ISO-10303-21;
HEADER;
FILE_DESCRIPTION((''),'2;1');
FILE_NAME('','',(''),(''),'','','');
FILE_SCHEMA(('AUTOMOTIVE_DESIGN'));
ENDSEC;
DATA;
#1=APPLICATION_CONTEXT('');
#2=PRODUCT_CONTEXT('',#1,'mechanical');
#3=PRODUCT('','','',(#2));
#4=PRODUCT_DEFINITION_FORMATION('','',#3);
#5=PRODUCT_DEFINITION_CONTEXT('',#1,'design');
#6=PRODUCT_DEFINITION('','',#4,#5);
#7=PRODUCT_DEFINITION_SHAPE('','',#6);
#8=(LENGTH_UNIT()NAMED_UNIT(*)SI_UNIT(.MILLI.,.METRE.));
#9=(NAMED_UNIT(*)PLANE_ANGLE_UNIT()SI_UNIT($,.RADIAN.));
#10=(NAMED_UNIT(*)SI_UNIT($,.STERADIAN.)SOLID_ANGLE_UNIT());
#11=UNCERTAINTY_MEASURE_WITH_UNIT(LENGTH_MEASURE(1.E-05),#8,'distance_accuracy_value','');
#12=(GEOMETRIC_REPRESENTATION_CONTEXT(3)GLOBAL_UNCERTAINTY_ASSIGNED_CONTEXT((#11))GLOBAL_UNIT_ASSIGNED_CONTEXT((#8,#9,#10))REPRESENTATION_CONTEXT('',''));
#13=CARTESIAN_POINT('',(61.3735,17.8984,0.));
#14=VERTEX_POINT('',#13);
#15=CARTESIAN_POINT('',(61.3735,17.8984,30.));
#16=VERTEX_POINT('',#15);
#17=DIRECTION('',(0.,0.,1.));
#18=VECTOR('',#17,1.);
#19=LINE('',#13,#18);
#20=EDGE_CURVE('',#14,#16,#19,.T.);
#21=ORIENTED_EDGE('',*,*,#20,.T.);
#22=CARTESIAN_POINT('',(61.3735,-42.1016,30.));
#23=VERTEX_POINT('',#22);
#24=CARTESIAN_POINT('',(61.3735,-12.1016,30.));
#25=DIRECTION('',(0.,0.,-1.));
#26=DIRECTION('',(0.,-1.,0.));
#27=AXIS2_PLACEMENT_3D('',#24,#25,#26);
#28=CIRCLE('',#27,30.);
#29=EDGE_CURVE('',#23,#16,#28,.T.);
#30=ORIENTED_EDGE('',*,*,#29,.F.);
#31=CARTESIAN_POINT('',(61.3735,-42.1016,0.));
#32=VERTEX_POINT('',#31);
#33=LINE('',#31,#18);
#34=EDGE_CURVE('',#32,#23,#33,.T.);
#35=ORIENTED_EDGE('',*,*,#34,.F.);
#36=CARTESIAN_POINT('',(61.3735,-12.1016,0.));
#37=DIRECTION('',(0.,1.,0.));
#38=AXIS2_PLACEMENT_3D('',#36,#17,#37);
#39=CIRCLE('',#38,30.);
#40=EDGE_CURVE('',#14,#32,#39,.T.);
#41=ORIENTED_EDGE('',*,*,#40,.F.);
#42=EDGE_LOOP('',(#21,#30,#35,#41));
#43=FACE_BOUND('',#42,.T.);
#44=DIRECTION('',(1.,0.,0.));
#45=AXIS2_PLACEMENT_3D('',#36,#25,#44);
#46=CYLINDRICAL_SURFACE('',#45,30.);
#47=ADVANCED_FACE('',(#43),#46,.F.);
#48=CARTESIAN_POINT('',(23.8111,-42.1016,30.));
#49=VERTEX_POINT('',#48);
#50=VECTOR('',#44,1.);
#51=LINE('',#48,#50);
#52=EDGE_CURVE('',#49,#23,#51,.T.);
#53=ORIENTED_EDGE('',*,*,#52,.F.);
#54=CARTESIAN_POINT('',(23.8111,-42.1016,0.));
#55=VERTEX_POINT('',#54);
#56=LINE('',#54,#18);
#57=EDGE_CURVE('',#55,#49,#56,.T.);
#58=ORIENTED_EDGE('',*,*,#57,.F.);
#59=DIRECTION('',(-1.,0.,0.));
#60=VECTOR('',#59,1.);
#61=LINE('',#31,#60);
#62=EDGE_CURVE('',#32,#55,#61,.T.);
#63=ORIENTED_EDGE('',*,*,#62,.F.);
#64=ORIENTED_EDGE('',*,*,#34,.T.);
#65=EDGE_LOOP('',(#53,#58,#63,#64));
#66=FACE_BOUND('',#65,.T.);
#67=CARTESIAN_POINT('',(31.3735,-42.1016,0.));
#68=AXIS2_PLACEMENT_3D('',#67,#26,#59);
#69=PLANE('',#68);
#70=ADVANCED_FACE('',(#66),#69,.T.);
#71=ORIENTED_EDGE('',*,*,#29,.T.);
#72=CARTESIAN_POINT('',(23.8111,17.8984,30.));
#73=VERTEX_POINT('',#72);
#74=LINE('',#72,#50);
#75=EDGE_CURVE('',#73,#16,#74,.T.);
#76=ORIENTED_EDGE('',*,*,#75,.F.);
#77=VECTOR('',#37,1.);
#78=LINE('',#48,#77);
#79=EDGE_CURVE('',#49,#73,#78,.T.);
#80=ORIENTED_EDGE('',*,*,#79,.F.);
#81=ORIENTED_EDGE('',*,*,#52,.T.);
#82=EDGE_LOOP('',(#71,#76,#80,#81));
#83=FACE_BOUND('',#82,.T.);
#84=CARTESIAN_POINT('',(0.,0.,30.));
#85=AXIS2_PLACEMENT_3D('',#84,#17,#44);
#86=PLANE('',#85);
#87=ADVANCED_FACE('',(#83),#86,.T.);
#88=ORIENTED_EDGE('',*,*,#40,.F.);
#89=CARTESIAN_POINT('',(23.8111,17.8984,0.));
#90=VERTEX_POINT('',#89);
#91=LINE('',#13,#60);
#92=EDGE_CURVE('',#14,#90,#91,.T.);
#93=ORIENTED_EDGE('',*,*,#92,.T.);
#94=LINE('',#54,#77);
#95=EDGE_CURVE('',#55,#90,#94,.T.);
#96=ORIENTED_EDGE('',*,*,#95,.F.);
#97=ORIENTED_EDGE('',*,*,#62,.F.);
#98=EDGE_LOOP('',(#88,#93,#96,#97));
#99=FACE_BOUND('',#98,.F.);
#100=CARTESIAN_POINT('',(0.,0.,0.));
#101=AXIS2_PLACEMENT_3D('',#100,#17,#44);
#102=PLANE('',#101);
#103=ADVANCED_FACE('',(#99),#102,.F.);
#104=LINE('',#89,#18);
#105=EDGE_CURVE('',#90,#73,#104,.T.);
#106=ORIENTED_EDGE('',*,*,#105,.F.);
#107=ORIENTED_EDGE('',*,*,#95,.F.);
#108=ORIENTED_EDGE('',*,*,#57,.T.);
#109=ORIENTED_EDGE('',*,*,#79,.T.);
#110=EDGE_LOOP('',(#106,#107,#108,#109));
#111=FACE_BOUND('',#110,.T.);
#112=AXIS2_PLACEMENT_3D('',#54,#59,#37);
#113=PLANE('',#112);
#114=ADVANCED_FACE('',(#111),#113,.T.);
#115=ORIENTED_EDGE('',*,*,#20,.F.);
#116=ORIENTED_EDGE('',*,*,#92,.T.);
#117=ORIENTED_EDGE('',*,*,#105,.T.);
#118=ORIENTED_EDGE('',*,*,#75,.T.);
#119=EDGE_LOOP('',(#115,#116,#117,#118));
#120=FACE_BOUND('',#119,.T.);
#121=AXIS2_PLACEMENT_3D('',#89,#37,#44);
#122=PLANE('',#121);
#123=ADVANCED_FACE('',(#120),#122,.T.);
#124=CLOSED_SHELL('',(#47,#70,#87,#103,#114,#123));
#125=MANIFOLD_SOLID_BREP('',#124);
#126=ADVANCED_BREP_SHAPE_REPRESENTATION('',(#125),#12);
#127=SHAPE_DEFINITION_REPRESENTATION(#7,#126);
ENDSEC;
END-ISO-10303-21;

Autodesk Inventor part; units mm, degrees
ref_plane "YZ Plane" through (0, 0, 0) normal (1, 0, 0) x (0, 1, 0)
ref_plane "XZ Plane" through (0, 0, 0) normal (0, 1, 0) x (-1, 0, 0)
ref_plane "XY Plane" through (0, 0, 0) normal (0, 0, 1) x (1, 0, 0)
sketch "Sketch1" plane through (0, 0, 0) normal (0, 0, 1) x (1, 0, 0)
  line L0 (7.8735, 17.8984) -> (31.3735, 17.8984)
  line L1 (31.3735, 17.8984) -> (31.3735, -42.1016)
  line L2 (31.3735, -42.1016) -> (7.8735, -42.1016)
  line L3 (7.8735, -42.1016) -> (7.8735, 17.8984)
  circle A0 centre (61.3735, -12.1016) radius 30
  line L4 (61.3735, 17.8984) -> (31.3735, 17.8984)
  line L5 (61.3735, -42.1016) -> (31.3735, -42.1016)
  line L6 (23.8111, -42.1016) -> (23.8111, 17.8984)
  point P0 (0, 0)
  point P1 (7.8735, -12.1016)
  dimension "d1" = 60
  dimension "d2" = 60
  dimension "d3" = 53.5
extrude "Extrusion1" add sketch "Sketch1" along normal blind 30 contours L0 L1 L2 L6 | L4 A0 L1 | A0 L5 L1
sketch "Sketch2" plane through (7.8735, -42.1016, 0) normal (-1, 0, 0) x (0, 0, 1)
  circle A0 centre (10, 30) radius 2.5
  line L0 (0, 60) -> (0, 0) projected
  line L1 (0, 0) -> (30, 0) projected
  point P0 (0, 42.1016)
  point P1 (0, 30)
  dimension "d6" = 5
  dimension "d7" = 10
  dimension "d8" = 30
extrude "Extrusion2" [suppressed]
